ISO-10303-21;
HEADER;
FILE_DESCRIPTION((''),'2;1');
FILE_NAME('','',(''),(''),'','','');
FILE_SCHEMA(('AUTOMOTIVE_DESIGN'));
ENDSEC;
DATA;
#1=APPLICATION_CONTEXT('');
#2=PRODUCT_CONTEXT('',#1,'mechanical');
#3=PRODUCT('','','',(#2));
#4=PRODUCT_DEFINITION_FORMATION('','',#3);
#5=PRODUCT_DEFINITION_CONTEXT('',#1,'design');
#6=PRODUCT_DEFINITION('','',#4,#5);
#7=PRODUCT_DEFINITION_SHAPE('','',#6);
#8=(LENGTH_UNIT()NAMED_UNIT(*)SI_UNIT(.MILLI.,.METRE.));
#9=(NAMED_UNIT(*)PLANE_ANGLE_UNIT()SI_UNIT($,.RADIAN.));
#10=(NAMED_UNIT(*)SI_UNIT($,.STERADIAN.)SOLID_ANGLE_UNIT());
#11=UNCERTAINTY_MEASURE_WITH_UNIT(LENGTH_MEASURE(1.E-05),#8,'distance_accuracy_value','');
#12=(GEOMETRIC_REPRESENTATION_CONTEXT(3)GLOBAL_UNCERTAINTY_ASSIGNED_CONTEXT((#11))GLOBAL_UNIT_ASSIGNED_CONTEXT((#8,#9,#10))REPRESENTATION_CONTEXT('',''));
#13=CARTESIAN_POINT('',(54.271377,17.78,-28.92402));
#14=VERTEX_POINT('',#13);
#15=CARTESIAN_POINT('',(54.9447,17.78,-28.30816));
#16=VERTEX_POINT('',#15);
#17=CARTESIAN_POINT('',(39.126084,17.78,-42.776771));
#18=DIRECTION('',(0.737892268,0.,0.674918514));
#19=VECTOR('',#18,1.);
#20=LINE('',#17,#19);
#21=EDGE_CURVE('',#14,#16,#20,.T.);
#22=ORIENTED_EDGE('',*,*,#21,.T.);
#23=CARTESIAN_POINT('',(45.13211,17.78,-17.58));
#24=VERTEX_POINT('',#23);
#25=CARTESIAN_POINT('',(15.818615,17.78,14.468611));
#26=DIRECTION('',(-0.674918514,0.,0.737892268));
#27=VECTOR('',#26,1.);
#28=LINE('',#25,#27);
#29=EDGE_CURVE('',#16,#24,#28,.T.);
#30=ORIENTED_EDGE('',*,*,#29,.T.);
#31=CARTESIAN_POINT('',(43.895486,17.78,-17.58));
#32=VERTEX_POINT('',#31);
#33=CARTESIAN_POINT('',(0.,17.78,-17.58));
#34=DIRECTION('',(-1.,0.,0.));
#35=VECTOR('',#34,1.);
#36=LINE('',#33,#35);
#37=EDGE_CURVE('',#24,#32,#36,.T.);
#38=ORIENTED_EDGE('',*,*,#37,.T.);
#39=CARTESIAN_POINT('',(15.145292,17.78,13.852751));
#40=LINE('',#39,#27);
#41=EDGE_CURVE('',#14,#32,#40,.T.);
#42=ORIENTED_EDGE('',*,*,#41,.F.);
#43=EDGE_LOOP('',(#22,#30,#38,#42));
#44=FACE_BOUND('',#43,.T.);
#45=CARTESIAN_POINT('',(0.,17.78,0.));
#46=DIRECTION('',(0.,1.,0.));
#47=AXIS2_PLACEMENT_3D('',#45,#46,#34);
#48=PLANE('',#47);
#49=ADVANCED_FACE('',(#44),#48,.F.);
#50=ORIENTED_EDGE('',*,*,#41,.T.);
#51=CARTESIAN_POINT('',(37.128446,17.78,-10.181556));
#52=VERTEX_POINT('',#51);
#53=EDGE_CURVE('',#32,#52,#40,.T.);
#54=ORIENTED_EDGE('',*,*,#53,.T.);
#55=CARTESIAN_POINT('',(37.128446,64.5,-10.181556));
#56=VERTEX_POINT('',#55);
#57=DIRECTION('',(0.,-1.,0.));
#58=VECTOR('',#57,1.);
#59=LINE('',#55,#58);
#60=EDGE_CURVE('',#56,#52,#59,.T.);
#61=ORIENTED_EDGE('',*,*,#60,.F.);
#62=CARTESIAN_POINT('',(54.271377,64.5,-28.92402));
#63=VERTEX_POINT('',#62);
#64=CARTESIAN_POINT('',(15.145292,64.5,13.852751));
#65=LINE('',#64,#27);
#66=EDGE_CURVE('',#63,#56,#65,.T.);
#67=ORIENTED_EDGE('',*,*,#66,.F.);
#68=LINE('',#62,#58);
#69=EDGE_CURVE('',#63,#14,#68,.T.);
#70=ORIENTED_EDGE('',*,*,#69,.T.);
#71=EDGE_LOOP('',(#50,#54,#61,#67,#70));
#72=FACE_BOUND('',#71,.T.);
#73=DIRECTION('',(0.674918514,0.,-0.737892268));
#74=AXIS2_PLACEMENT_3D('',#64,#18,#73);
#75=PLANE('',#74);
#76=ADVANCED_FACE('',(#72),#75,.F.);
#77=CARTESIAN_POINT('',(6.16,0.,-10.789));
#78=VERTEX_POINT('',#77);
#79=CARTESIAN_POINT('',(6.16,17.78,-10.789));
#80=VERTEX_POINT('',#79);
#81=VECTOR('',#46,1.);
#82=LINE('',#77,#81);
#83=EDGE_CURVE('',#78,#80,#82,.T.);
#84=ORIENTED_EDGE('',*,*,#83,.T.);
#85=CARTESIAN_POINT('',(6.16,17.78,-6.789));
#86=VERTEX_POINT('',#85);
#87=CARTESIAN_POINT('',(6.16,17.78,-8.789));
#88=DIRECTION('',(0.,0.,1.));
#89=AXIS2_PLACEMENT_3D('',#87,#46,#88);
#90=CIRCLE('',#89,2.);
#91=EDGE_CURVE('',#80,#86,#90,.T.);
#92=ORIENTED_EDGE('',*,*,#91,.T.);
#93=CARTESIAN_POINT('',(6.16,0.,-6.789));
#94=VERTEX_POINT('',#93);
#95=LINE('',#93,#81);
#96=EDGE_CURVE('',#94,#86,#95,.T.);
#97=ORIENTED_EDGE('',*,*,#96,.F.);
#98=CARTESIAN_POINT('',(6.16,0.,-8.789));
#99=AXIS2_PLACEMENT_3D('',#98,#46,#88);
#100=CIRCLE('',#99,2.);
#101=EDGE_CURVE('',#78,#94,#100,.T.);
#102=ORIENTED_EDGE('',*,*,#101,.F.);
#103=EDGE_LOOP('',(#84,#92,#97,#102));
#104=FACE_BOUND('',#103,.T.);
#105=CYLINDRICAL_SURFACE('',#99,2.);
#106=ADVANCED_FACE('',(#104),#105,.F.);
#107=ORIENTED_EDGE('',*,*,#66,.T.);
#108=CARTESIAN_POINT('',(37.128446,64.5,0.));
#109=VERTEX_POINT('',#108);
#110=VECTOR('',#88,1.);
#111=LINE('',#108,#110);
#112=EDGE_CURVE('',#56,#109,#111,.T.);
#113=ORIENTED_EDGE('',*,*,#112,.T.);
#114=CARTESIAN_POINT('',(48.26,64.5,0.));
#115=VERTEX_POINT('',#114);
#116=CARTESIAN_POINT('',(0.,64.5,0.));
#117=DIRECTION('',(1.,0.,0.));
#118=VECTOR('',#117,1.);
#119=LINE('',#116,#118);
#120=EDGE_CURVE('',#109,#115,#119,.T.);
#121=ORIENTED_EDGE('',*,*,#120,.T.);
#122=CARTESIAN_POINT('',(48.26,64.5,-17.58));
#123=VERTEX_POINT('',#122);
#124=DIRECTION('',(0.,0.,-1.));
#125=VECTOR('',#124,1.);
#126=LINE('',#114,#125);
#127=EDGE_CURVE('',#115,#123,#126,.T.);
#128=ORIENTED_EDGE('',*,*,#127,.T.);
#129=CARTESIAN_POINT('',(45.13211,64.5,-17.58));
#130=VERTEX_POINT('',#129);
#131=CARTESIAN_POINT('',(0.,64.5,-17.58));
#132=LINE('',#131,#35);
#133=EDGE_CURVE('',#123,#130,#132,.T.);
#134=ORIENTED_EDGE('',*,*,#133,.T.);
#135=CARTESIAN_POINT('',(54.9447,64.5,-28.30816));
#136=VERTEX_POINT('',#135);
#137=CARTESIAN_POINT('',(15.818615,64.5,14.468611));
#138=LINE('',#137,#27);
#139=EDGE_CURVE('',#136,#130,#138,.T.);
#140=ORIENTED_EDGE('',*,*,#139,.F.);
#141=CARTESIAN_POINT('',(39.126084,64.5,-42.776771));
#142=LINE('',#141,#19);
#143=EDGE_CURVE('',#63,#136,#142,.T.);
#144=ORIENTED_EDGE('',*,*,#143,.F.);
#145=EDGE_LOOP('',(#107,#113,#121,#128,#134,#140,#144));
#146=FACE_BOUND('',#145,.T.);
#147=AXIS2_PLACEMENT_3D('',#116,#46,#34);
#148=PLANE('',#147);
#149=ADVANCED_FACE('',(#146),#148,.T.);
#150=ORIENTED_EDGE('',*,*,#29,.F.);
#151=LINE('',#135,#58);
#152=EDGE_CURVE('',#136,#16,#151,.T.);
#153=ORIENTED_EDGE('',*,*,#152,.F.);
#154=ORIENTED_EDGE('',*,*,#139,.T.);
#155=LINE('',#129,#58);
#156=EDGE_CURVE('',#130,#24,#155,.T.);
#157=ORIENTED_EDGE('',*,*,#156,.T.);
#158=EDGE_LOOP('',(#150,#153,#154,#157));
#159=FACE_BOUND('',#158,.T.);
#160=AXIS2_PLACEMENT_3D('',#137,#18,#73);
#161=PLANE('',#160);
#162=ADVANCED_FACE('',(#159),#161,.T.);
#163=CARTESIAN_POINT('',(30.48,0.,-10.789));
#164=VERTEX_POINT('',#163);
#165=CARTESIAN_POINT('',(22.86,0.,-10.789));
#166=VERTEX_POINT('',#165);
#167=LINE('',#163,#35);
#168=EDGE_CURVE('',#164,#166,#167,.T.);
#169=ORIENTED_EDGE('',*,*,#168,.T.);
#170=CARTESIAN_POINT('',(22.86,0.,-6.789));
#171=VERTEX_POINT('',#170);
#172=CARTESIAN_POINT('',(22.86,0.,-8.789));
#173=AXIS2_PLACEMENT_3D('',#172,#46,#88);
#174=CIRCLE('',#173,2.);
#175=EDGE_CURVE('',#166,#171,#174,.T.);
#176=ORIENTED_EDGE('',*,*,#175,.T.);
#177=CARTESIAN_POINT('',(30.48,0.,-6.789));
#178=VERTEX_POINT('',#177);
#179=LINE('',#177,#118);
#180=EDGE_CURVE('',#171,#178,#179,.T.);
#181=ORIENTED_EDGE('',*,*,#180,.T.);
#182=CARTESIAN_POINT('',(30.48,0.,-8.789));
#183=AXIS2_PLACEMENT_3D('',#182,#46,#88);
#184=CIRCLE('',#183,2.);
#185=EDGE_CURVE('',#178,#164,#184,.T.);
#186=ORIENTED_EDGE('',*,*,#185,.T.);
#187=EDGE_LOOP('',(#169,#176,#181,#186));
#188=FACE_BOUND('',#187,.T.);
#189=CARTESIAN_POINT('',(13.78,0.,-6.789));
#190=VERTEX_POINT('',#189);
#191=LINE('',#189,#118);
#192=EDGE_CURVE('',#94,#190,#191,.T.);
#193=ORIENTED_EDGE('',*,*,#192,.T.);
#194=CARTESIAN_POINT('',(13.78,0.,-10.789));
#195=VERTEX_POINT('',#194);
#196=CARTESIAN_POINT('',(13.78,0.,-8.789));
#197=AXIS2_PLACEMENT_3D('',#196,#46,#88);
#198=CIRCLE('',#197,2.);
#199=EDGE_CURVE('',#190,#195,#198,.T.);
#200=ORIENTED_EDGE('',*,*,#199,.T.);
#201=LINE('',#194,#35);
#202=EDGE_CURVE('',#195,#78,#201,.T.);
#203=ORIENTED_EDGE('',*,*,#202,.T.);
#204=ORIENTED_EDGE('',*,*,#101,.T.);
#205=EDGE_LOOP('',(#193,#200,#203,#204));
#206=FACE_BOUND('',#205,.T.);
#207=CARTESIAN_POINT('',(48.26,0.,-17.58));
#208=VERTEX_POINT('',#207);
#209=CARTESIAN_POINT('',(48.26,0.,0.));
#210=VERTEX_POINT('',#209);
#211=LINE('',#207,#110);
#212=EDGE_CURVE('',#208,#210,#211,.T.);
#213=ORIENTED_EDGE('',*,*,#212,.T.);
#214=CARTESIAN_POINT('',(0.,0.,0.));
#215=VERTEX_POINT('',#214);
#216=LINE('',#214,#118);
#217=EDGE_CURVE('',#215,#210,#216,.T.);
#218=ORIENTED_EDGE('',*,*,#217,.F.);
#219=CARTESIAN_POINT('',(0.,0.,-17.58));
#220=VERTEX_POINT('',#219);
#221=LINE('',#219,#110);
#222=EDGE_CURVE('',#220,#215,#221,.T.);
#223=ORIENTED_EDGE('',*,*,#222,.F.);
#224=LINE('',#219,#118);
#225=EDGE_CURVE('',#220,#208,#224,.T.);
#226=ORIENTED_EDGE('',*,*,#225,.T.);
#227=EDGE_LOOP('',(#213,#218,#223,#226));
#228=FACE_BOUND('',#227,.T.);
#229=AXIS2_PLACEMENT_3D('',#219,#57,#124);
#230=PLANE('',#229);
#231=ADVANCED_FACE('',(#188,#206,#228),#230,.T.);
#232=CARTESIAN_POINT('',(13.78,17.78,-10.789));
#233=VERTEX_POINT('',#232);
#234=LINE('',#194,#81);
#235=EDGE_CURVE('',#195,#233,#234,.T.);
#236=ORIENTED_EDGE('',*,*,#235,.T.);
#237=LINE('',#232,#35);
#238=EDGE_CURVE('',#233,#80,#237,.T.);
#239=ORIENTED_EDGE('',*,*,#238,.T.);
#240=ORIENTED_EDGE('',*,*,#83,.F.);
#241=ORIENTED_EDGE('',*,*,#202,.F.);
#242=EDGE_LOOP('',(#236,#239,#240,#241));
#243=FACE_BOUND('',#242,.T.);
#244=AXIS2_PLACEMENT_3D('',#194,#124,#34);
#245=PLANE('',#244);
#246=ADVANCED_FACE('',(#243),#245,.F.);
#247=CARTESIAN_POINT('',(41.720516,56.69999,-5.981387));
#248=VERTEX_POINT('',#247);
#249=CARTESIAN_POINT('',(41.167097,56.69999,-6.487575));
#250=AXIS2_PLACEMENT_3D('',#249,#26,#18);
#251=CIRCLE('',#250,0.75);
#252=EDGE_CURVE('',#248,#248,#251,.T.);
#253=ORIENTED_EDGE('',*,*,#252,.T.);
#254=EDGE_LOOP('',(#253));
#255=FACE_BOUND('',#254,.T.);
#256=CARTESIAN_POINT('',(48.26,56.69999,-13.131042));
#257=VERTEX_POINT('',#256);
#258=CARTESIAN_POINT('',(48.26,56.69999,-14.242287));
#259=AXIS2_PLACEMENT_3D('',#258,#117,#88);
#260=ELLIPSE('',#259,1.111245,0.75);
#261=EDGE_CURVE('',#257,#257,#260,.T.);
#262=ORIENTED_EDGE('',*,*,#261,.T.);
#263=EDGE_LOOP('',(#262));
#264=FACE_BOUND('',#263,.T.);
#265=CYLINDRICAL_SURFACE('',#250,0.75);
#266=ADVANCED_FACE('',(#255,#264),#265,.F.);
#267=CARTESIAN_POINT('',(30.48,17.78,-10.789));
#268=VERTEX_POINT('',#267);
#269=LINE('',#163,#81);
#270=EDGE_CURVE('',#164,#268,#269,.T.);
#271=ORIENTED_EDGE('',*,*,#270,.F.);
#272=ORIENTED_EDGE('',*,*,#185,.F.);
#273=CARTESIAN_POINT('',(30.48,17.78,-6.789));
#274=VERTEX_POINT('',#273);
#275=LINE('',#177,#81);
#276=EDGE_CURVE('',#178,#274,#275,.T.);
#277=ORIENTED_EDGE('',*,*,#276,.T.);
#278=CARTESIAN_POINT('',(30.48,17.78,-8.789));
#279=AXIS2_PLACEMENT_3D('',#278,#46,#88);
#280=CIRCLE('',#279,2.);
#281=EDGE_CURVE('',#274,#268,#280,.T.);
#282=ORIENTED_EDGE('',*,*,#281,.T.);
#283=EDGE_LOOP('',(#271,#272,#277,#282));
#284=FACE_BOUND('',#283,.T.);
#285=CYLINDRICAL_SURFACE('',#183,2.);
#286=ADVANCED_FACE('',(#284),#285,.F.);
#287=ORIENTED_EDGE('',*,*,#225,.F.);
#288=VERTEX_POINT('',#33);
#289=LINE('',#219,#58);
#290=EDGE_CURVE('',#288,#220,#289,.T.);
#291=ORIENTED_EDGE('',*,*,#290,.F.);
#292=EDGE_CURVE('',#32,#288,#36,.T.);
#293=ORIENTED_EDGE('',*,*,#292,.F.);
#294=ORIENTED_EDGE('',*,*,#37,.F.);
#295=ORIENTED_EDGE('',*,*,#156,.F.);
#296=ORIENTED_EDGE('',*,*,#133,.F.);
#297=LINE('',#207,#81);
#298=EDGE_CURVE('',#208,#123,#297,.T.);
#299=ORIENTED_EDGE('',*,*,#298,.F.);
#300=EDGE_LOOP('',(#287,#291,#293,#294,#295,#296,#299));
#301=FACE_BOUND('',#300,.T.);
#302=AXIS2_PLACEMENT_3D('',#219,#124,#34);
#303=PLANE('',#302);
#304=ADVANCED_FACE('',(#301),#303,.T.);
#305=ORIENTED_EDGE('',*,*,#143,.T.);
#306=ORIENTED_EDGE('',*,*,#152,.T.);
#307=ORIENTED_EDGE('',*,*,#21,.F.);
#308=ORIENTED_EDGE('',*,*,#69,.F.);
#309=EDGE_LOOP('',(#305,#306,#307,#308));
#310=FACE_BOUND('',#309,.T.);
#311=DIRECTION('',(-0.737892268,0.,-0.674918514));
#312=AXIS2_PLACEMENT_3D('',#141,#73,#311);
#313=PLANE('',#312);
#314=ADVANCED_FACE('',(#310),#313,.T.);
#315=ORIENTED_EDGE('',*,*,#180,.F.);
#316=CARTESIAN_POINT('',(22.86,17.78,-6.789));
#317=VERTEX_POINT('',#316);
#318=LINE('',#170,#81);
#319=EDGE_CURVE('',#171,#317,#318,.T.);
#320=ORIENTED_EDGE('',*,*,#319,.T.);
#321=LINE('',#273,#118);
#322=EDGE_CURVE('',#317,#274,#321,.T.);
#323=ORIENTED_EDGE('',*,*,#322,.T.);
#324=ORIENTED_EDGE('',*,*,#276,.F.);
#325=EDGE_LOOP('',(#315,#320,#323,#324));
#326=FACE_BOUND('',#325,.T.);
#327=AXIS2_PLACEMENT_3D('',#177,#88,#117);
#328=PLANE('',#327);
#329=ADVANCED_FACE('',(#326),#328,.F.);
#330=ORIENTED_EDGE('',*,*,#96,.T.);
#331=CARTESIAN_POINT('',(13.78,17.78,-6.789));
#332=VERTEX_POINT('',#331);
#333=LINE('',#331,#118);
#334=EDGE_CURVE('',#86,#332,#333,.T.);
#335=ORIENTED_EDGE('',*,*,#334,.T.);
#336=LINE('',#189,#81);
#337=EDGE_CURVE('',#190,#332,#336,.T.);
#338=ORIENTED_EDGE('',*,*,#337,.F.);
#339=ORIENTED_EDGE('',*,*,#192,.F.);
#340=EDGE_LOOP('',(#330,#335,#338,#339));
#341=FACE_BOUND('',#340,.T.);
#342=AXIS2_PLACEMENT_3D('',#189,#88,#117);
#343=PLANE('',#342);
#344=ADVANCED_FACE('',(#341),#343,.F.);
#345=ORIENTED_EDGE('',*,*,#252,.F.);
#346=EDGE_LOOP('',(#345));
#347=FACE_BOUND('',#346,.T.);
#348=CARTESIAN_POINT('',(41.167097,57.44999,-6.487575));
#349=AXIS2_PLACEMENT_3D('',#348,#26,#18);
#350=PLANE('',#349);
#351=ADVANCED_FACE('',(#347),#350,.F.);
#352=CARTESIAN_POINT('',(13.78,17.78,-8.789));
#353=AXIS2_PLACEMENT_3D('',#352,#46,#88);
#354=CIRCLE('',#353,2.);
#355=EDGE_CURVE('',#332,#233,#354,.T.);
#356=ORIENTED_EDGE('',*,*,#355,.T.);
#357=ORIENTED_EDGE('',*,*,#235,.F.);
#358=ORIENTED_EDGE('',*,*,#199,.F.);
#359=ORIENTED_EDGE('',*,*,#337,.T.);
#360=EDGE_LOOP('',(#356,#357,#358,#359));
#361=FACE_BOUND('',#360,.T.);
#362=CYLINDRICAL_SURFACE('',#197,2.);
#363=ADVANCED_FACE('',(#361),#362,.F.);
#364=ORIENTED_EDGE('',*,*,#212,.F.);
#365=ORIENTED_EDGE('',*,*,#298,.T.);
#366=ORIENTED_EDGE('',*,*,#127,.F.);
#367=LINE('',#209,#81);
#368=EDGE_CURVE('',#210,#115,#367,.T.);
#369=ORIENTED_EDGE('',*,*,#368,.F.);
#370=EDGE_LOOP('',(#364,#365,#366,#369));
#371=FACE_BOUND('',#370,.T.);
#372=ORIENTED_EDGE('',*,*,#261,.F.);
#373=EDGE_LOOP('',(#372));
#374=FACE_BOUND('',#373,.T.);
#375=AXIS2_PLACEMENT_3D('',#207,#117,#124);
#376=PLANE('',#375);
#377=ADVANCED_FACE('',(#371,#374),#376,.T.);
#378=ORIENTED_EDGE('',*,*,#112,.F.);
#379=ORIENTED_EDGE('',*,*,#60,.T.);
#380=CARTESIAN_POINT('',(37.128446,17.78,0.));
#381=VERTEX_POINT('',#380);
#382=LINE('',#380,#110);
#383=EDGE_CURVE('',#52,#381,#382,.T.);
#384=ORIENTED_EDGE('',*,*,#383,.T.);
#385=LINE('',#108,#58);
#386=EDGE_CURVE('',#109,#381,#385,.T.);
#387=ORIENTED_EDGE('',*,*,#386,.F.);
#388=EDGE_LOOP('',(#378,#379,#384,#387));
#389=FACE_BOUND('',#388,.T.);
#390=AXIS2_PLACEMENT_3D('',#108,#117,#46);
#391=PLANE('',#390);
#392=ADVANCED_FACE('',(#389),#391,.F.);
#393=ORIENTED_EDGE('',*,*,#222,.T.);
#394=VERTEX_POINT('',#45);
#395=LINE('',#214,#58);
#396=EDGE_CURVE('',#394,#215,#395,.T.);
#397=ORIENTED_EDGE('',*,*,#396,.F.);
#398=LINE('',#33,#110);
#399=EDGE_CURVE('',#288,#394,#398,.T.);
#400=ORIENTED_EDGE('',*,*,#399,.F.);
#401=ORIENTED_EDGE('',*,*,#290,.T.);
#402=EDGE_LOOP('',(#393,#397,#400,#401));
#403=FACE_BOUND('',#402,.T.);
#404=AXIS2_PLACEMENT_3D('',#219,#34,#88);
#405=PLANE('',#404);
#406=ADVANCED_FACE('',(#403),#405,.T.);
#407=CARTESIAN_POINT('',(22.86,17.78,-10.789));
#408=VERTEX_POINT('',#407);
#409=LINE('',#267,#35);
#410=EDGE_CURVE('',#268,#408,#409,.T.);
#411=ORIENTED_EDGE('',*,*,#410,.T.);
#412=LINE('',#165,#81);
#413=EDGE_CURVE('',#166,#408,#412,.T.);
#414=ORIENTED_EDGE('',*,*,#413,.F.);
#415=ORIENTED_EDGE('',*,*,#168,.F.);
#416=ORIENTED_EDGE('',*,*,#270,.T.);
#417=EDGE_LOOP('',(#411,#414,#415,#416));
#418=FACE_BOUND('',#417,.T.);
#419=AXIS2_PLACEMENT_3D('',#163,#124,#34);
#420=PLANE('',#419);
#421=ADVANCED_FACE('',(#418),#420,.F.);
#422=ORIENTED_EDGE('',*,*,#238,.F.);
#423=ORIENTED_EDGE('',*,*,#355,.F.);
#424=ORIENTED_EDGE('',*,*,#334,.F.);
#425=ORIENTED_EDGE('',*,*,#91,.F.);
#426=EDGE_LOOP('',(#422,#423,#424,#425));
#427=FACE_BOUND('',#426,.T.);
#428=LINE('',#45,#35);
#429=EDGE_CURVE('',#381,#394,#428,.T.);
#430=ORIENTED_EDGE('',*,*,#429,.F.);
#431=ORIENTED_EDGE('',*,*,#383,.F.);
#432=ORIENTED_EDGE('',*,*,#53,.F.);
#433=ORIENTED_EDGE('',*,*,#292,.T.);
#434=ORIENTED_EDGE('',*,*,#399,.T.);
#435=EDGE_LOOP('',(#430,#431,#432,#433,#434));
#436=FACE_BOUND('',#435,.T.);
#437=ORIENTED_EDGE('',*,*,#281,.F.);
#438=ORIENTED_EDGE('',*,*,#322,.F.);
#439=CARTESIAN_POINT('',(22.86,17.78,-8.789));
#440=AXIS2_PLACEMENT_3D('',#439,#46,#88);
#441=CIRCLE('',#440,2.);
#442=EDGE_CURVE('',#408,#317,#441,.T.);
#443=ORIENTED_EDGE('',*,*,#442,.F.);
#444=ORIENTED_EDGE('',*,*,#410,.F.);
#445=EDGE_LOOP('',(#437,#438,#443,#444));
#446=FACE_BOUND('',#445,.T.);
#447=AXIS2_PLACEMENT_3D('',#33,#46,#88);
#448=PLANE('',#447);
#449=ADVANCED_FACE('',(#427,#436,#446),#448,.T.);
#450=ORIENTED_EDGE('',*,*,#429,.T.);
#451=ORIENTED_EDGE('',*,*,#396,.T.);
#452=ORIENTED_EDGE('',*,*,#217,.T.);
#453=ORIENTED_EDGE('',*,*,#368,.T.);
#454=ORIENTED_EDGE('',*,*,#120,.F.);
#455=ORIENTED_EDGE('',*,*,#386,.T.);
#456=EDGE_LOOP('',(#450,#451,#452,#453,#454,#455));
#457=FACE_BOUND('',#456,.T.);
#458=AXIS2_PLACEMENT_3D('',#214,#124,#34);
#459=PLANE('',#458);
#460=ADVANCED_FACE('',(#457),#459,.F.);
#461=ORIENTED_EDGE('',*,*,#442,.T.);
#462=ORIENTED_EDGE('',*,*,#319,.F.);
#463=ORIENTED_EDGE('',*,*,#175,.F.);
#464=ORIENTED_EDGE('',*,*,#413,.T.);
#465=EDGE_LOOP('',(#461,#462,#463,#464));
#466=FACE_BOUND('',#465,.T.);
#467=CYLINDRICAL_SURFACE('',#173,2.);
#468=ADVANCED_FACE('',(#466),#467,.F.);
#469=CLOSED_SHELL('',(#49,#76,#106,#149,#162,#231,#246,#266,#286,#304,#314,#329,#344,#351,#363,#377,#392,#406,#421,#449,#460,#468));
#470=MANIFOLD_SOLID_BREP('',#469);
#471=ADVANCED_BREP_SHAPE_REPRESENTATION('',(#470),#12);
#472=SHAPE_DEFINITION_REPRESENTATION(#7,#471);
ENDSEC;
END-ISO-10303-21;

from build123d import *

# Parameters (mm, degrees)
SKETCH1_W           = 48.26
SKETCH1_H           = 17.78
BOSS_EXTRUDE1_DEPTH = 17.579999892
BOSS_EXTRUDE4_DEPTH = 46.720000032
CUT_EXTRUDE1_DEPTH  = 70.432286432
BOSS_EXTRUDE5_DEPTH = 46.72
SKETCH9_W           = 0.75
SKETCH9_H           = 25.854438162


with BuildPart() as part:
    # Sketch1 → Boss-Extrude1 (new body)
    with BuildSketch(Plane.XY):
        with Locations((24.13, 8.89)):
            Rectangle(SKETCH1_W, SKETCH1_H)
    extrude(amount=-BOSS_EXTRUDE1_DEPTH)

    # Sketch3 → Boss-Extrude4 (add)
    with BuildSketch(Plane(origin=(0, 17.78, 0), x_dir=(1, 0, 0), z_dir=(0, 1, 0))):
        Polygon((37.801769271, 9.565696577), (37.128446266, 10.181556346), (37.128446266, 0), (48.26, 0), (48.26, 13.587965792), (48.26, 17.579999892), (45.132109917, 17.579999892), align=None)
    extrude(amount=BOSS_EXTRUDE4_DEPTH)

    # Sketch4 → Cut-Extrude1 (cut, through all)
    with BuildSketch(Plane(origin=(0, 17.78, 0), x_dir=(1, 0, 0), z_dir=(0, 1, 0))):
        with BuildLine():
            Line((30.48, 6.789), (22.86, 6.789))
            ThreePointArc((22.86, 6.789), (20.86, 8.789), (22.86, 10.789))
            Line((22.86, 10.789), (30.48, 10.789))
            ThreePointArc((30.48, 10.789), (32.48, 8.789), (30.48, 6.789))
        make_face()
        with BuildLine():
            Line((13.78, 6.789), (6.16, 6.789))
            ThreePointArc((6.16, 6.789), (4.16, 8.789), (6.16, 10.789))
            Line((6.16, 10.789), (13.78, 10.789))
            ThreePointArc((13.78, 10.789), (15.78, 8.789), (13.78, 6.789))
        make_face()
    extrude(amount=-CUT_EXTRUDE1_DEPTH, mode=Mode.SUBTRACT)

    # Sketch3<7> → Boss-Extrude5 (add, through all)
    with BuildSketch(Plane(origin=(0, 17.78, 0), x_dir=(1, 0, 0), z_dir=(0, 1, 0))):
        Polygon((54.944699529, 28.308160187), (54.271376524, 28.924019957), (37.128446266, 10.181556346), (37.801769271, 9.565696577), align=None)
    extrude(amount=BOSS_EXTRUDE5_DEPTH)

    # Sketch9 → Ø1.5mm Dowel Hole1 (revolve, cut)
    with BuildSketch(Plane(origin=(41.16709667, 56.699990232, -6.487575467), x_dir=(0.7378922681206892, 0, 0.6749185140798146), z_dir=(0, 1, 0))):
        with Locations((0.375, 12.927219081)):
            Rectangle(SKETCH9_W, SKETCH9_H)
    revolve(axis=Axis((36.881364106, 56.699990232, -1.801959564), (0.6749185140798145, 0, -0.7378922681206892)), mode=Mode.SUBTRACT)


solid = part.part
